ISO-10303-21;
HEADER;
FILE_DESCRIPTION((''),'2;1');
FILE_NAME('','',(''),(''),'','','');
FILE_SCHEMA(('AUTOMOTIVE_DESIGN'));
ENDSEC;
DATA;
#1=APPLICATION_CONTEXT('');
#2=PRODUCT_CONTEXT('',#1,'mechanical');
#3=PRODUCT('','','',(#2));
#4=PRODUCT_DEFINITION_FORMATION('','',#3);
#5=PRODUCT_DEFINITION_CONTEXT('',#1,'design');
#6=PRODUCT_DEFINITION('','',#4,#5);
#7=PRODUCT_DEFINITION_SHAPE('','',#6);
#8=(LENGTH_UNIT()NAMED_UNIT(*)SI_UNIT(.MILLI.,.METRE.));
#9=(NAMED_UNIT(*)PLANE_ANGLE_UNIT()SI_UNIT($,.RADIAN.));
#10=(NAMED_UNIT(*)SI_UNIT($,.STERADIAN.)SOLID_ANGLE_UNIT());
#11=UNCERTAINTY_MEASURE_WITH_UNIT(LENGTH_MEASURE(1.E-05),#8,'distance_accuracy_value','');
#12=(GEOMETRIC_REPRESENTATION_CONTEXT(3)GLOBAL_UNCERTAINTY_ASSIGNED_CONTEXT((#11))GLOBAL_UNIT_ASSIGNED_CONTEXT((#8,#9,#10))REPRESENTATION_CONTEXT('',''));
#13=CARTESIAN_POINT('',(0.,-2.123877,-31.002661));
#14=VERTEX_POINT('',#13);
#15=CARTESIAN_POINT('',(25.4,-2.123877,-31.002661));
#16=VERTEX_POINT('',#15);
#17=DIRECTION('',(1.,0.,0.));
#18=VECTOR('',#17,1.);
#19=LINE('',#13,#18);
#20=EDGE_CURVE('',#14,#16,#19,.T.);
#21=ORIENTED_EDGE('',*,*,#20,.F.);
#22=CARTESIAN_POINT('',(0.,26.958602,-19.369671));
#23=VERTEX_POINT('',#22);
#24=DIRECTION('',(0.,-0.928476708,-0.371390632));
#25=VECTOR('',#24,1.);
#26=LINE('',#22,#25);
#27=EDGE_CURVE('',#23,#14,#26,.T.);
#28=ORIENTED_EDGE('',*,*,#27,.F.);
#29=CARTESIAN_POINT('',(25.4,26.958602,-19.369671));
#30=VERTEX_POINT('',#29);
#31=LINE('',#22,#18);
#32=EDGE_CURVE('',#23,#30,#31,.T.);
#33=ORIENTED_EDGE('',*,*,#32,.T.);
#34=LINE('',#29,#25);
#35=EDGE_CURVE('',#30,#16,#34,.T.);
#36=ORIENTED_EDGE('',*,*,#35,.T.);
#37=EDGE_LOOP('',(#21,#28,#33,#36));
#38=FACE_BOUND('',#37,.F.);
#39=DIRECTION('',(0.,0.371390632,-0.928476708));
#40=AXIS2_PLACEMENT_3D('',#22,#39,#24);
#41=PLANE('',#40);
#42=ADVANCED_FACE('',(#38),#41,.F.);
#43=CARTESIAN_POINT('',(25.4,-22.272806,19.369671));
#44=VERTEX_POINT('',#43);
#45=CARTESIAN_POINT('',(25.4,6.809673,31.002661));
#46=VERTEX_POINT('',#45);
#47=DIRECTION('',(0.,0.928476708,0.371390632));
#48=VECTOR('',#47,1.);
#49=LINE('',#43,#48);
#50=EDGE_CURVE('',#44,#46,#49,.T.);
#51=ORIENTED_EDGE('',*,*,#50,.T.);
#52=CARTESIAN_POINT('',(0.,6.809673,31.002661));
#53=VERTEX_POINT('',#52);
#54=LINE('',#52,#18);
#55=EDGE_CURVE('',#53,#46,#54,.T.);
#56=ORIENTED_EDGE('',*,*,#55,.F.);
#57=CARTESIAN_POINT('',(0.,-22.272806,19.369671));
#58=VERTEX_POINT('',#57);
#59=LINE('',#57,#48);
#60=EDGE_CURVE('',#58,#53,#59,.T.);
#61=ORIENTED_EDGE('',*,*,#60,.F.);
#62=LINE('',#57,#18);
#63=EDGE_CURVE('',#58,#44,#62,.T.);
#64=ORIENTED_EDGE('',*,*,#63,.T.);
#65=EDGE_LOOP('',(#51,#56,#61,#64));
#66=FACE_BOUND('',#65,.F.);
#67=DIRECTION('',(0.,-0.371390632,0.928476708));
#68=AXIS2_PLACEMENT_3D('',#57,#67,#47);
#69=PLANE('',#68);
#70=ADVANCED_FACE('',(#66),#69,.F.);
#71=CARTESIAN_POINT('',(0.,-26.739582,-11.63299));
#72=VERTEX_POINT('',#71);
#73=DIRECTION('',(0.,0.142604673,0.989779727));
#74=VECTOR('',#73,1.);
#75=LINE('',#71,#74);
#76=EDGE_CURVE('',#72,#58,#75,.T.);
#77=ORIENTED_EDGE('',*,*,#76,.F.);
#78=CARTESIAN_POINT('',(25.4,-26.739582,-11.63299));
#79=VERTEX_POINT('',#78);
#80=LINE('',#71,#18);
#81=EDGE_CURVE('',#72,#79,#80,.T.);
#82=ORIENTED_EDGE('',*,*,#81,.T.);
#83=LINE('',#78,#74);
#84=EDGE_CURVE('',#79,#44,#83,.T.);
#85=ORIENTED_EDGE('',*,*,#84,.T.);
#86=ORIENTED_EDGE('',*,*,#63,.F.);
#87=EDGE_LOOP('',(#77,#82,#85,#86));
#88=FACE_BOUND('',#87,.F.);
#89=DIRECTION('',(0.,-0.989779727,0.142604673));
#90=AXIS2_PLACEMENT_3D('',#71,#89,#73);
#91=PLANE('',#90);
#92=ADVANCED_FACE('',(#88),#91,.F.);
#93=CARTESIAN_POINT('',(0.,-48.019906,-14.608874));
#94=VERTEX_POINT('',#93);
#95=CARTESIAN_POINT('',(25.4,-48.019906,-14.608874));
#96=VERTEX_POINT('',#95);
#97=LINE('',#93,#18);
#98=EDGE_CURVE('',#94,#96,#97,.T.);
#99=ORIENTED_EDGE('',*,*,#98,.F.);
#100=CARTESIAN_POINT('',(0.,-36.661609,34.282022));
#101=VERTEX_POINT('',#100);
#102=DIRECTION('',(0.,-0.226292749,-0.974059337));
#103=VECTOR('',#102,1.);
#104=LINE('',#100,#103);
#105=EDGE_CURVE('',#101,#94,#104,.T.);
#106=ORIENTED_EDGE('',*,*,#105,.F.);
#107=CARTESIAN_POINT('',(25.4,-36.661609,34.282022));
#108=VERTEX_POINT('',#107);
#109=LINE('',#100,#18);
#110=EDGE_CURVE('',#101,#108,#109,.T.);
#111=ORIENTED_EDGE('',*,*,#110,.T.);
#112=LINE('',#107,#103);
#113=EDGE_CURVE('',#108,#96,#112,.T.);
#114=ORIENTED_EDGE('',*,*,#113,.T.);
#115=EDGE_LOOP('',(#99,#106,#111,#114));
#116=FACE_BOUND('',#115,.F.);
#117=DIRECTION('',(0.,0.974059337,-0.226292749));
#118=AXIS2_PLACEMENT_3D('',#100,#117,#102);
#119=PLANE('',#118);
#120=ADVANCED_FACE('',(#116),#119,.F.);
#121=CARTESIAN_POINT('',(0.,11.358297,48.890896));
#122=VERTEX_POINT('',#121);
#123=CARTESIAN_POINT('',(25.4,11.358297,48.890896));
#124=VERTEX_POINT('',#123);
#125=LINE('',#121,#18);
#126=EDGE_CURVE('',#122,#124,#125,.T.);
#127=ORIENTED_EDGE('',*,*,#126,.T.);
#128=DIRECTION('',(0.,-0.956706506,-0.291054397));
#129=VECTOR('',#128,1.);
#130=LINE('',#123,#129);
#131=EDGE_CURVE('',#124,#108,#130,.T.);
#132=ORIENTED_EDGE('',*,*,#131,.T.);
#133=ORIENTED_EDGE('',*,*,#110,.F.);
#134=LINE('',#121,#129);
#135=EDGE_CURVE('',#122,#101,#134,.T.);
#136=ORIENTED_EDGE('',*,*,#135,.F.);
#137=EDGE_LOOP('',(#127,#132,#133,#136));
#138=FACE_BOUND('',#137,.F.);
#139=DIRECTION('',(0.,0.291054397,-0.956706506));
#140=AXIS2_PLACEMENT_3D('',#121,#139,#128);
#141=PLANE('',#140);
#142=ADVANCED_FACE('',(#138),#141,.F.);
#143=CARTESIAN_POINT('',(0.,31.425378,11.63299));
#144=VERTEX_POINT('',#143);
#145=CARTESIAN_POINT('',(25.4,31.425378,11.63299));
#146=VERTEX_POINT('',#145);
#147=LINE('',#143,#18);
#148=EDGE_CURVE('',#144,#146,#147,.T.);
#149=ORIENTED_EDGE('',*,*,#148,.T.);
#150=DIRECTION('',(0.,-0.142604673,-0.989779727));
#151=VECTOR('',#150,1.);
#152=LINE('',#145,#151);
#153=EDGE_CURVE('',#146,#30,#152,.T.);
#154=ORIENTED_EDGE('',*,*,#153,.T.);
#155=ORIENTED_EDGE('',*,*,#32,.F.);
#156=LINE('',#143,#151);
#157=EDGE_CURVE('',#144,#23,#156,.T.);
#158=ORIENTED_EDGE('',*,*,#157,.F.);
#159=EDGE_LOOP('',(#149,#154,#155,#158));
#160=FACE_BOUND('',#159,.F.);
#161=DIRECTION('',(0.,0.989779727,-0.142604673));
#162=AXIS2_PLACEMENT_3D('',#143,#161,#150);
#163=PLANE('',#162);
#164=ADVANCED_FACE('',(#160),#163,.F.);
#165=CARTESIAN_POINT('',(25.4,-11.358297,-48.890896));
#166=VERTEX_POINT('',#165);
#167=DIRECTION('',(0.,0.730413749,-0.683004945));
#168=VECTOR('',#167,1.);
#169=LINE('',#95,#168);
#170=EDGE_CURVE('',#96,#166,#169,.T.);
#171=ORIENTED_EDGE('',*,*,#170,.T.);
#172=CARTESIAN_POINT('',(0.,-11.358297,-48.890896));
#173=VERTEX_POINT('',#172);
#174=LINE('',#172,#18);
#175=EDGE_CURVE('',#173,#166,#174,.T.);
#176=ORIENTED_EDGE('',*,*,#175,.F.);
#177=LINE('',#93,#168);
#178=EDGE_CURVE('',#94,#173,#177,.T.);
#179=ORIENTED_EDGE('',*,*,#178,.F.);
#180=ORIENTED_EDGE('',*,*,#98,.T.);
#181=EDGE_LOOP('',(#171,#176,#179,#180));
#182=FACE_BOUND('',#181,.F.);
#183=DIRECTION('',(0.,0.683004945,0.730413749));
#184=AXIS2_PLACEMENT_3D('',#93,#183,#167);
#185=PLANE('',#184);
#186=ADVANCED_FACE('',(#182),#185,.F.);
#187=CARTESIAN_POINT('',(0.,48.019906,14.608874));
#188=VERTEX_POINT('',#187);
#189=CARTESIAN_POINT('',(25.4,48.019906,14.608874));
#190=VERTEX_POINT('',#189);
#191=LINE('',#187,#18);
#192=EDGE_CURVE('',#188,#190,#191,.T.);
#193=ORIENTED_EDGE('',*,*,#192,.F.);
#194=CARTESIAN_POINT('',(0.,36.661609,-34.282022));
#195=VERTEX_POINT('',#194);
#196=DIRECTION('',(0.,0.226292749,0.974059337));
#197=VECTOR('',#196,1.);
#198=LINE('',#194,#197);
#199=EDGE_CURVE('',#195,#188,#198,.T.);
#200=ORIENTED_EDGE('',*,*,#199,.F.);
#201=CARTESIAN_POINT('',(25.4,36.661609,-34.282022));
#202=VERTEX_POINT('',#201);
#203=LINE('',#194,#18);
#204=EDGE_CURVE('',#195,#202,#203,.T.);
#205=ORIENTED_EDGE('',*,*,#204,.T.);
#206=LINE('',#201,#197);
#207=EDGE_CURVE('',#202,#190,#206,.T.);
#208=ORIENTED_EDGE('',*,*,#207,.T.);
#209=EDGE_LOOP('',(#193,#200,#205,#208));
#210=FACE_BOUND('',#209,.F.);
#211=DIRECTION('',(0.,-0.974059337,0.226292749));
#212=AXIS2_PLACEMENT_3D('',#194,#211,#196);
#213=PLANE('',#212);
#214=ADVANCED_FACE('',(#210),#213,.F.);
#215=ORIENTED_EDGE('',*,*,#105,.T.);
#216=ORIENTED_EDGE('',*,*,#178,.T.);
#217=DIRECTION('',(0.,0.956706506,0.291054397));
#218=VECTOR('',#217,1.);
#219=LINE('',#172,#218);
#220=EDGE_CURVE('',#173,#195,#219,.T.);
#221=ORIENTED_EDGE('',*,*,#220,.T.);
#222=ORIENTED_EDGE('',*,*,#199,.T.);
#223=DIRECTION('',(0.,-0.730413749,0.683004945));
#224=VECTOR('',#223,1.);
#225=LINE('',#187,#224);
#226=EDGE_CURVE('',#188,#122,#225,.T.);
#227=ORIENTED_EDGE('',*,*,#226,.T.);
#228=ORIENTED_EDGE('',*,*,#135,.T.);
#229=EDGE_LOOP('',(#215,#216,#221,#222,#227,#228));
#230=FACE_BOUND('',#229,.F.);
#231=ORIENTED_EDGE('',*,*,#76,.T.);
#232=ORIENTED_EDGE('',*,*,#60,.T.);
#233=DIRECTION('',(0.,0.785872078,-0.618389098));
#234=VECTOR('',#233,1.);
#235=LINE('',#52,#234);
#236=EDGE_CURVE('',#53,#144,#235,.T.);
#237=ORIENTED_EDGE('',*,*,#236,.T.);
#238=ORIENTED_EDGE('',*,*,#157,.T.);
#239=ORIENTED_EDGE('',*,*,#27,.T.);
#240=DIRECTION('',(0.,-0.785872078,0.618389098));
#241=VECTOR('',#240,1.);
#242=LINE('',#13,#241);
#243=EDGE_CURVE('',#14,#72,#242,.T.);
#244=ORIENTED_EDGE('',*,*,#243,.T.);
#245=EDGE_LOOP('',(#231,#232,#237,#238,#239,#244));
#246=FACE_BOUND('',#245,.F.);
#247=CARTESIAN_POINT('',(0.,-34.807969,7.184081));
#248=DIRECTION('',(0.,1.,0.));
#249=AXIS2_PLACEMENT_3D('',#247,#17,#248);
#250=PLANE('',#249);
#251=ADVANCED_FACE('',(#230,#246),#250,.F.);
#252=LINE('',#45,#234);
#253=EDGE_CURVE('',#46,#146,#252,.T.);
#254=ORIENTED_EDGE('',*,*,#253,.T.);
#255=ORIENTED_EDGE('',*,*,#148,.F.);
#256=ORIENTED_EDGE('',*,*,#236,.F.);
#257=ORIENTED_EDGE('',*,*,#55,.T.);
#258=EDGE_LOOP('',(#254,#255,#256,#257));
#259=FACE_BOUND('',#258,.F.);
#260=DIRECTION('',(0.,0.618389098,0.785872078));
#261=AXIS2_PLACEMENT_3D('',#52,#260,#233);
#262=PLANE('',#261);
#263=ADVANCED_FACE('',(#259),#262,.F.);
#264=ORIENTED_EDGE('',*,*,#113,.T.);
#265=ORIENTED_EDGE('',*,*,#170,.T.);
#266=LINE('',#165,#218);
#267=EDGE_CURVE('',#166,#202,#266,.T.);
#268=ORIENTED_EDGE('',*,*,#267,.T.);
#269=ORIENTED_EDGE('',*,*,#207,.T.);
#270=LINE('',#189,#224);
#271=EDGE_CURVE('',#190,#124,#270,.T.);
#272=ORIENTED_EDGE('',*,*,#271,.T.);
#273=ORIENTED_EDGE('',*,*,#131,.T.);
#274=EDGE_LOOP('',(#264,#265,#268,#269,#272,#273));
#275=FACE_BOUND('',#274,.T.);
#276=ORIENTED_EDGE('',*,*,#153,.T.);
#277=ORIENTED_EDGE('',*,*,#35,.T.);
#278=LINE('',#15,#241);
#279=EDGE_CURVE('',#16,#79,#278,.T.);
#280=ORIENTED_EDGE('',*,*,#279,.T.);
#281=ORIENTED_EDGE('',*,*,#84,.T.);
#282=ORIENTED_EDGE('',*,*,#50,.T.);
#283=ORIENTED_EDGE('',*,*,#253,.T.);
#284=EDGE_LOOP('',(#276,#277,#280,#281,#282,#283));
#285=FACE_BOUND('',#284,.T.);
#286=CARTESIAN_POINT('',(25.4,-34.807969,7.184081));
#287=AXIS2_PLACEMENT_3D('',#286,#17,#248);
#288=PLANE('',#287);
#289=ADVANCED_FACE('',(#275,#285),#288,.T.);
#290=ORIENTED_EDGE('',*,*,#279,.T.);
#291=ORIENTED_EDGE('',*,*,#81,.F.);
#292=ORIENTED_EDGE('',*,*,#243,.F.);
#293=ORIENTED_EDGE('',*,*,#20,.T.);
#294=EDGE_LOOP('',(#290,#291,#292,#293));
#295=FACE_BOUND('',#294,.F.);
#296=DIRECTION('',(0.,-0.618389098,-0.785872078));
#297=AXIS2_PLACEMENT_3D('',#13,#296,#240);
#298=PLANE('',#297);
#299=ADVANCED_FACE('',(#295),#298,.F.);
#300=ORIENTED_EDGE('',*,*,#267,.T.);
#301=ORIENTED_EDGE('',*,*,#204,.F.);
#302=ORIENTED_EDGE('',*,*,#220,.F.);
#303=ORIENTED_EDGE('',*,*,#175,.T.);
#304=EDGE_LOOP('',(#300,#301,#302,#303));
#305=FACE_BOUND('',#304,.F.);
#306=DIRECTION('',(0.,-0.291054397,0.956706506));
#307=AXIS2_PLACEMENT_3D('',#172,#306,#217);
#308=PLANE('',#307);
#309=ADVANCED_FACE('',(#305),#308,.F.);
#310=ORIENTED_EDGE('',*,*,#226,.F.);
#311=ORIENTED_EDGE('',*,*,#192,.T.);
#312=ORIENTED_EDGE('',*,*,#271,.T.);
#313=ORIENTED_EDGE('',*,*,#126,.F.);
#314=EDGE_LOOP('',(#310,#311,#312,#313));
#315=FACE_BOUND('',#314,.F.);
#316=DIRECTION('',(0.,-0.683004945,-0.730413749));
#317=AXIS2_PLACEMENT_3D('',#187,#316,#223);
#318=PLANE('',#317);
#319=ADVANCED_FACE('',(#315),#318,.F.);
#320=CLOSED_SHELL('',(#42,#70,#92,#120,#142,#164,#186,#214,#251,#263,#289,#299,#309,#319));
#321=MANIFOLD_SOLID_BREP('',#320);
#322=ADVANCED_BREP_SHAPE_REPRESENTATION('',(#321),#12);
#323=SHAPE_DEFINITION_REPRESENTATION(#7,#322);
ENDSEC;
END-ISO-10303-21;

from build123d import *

# Parameters (mm, degrees)
F1_DEPTH = 25.4


with BuildPart() as f1:
    # F0 (on Right) → F1 (new body)
    with BuildSketch(Plane.YZ):
        Polygon((-22.272806, 19.369671), (-36.661609, 34.282022), (-48.019906, -14.608874), (-26.739582, -11.63299), align=None)
        Polygon((11.358297, 48.890896), (-36.661609, 34.282022), (-22.272806, 19.369671), (6.809673, 31.002661), align=None)
        Polygon((48.019906, 14.608874), (11.358297, 48.890896), (6.809673, 31.002661), (31.425378, 11.63299), align=None)
        Polygon((36.661609, -34.282022), (48.019906, 14.608874), (31.425378, 11.63299), (26.958602, -19.369671), align=None)
        Polygon((-2.123877, -31.002661), (-11.358297, -48.890896), (36.661609, -34.282022), (26.958602, -19.369671), align=None)
        Polygon((-26.739582, -11.63299), (-48.019906, -14.608874), (-11.358297, -48.890896), (-2.123877, -31.002661), align=None)
    extrude(amount=F1_DEPTH)


solid = f1.part
